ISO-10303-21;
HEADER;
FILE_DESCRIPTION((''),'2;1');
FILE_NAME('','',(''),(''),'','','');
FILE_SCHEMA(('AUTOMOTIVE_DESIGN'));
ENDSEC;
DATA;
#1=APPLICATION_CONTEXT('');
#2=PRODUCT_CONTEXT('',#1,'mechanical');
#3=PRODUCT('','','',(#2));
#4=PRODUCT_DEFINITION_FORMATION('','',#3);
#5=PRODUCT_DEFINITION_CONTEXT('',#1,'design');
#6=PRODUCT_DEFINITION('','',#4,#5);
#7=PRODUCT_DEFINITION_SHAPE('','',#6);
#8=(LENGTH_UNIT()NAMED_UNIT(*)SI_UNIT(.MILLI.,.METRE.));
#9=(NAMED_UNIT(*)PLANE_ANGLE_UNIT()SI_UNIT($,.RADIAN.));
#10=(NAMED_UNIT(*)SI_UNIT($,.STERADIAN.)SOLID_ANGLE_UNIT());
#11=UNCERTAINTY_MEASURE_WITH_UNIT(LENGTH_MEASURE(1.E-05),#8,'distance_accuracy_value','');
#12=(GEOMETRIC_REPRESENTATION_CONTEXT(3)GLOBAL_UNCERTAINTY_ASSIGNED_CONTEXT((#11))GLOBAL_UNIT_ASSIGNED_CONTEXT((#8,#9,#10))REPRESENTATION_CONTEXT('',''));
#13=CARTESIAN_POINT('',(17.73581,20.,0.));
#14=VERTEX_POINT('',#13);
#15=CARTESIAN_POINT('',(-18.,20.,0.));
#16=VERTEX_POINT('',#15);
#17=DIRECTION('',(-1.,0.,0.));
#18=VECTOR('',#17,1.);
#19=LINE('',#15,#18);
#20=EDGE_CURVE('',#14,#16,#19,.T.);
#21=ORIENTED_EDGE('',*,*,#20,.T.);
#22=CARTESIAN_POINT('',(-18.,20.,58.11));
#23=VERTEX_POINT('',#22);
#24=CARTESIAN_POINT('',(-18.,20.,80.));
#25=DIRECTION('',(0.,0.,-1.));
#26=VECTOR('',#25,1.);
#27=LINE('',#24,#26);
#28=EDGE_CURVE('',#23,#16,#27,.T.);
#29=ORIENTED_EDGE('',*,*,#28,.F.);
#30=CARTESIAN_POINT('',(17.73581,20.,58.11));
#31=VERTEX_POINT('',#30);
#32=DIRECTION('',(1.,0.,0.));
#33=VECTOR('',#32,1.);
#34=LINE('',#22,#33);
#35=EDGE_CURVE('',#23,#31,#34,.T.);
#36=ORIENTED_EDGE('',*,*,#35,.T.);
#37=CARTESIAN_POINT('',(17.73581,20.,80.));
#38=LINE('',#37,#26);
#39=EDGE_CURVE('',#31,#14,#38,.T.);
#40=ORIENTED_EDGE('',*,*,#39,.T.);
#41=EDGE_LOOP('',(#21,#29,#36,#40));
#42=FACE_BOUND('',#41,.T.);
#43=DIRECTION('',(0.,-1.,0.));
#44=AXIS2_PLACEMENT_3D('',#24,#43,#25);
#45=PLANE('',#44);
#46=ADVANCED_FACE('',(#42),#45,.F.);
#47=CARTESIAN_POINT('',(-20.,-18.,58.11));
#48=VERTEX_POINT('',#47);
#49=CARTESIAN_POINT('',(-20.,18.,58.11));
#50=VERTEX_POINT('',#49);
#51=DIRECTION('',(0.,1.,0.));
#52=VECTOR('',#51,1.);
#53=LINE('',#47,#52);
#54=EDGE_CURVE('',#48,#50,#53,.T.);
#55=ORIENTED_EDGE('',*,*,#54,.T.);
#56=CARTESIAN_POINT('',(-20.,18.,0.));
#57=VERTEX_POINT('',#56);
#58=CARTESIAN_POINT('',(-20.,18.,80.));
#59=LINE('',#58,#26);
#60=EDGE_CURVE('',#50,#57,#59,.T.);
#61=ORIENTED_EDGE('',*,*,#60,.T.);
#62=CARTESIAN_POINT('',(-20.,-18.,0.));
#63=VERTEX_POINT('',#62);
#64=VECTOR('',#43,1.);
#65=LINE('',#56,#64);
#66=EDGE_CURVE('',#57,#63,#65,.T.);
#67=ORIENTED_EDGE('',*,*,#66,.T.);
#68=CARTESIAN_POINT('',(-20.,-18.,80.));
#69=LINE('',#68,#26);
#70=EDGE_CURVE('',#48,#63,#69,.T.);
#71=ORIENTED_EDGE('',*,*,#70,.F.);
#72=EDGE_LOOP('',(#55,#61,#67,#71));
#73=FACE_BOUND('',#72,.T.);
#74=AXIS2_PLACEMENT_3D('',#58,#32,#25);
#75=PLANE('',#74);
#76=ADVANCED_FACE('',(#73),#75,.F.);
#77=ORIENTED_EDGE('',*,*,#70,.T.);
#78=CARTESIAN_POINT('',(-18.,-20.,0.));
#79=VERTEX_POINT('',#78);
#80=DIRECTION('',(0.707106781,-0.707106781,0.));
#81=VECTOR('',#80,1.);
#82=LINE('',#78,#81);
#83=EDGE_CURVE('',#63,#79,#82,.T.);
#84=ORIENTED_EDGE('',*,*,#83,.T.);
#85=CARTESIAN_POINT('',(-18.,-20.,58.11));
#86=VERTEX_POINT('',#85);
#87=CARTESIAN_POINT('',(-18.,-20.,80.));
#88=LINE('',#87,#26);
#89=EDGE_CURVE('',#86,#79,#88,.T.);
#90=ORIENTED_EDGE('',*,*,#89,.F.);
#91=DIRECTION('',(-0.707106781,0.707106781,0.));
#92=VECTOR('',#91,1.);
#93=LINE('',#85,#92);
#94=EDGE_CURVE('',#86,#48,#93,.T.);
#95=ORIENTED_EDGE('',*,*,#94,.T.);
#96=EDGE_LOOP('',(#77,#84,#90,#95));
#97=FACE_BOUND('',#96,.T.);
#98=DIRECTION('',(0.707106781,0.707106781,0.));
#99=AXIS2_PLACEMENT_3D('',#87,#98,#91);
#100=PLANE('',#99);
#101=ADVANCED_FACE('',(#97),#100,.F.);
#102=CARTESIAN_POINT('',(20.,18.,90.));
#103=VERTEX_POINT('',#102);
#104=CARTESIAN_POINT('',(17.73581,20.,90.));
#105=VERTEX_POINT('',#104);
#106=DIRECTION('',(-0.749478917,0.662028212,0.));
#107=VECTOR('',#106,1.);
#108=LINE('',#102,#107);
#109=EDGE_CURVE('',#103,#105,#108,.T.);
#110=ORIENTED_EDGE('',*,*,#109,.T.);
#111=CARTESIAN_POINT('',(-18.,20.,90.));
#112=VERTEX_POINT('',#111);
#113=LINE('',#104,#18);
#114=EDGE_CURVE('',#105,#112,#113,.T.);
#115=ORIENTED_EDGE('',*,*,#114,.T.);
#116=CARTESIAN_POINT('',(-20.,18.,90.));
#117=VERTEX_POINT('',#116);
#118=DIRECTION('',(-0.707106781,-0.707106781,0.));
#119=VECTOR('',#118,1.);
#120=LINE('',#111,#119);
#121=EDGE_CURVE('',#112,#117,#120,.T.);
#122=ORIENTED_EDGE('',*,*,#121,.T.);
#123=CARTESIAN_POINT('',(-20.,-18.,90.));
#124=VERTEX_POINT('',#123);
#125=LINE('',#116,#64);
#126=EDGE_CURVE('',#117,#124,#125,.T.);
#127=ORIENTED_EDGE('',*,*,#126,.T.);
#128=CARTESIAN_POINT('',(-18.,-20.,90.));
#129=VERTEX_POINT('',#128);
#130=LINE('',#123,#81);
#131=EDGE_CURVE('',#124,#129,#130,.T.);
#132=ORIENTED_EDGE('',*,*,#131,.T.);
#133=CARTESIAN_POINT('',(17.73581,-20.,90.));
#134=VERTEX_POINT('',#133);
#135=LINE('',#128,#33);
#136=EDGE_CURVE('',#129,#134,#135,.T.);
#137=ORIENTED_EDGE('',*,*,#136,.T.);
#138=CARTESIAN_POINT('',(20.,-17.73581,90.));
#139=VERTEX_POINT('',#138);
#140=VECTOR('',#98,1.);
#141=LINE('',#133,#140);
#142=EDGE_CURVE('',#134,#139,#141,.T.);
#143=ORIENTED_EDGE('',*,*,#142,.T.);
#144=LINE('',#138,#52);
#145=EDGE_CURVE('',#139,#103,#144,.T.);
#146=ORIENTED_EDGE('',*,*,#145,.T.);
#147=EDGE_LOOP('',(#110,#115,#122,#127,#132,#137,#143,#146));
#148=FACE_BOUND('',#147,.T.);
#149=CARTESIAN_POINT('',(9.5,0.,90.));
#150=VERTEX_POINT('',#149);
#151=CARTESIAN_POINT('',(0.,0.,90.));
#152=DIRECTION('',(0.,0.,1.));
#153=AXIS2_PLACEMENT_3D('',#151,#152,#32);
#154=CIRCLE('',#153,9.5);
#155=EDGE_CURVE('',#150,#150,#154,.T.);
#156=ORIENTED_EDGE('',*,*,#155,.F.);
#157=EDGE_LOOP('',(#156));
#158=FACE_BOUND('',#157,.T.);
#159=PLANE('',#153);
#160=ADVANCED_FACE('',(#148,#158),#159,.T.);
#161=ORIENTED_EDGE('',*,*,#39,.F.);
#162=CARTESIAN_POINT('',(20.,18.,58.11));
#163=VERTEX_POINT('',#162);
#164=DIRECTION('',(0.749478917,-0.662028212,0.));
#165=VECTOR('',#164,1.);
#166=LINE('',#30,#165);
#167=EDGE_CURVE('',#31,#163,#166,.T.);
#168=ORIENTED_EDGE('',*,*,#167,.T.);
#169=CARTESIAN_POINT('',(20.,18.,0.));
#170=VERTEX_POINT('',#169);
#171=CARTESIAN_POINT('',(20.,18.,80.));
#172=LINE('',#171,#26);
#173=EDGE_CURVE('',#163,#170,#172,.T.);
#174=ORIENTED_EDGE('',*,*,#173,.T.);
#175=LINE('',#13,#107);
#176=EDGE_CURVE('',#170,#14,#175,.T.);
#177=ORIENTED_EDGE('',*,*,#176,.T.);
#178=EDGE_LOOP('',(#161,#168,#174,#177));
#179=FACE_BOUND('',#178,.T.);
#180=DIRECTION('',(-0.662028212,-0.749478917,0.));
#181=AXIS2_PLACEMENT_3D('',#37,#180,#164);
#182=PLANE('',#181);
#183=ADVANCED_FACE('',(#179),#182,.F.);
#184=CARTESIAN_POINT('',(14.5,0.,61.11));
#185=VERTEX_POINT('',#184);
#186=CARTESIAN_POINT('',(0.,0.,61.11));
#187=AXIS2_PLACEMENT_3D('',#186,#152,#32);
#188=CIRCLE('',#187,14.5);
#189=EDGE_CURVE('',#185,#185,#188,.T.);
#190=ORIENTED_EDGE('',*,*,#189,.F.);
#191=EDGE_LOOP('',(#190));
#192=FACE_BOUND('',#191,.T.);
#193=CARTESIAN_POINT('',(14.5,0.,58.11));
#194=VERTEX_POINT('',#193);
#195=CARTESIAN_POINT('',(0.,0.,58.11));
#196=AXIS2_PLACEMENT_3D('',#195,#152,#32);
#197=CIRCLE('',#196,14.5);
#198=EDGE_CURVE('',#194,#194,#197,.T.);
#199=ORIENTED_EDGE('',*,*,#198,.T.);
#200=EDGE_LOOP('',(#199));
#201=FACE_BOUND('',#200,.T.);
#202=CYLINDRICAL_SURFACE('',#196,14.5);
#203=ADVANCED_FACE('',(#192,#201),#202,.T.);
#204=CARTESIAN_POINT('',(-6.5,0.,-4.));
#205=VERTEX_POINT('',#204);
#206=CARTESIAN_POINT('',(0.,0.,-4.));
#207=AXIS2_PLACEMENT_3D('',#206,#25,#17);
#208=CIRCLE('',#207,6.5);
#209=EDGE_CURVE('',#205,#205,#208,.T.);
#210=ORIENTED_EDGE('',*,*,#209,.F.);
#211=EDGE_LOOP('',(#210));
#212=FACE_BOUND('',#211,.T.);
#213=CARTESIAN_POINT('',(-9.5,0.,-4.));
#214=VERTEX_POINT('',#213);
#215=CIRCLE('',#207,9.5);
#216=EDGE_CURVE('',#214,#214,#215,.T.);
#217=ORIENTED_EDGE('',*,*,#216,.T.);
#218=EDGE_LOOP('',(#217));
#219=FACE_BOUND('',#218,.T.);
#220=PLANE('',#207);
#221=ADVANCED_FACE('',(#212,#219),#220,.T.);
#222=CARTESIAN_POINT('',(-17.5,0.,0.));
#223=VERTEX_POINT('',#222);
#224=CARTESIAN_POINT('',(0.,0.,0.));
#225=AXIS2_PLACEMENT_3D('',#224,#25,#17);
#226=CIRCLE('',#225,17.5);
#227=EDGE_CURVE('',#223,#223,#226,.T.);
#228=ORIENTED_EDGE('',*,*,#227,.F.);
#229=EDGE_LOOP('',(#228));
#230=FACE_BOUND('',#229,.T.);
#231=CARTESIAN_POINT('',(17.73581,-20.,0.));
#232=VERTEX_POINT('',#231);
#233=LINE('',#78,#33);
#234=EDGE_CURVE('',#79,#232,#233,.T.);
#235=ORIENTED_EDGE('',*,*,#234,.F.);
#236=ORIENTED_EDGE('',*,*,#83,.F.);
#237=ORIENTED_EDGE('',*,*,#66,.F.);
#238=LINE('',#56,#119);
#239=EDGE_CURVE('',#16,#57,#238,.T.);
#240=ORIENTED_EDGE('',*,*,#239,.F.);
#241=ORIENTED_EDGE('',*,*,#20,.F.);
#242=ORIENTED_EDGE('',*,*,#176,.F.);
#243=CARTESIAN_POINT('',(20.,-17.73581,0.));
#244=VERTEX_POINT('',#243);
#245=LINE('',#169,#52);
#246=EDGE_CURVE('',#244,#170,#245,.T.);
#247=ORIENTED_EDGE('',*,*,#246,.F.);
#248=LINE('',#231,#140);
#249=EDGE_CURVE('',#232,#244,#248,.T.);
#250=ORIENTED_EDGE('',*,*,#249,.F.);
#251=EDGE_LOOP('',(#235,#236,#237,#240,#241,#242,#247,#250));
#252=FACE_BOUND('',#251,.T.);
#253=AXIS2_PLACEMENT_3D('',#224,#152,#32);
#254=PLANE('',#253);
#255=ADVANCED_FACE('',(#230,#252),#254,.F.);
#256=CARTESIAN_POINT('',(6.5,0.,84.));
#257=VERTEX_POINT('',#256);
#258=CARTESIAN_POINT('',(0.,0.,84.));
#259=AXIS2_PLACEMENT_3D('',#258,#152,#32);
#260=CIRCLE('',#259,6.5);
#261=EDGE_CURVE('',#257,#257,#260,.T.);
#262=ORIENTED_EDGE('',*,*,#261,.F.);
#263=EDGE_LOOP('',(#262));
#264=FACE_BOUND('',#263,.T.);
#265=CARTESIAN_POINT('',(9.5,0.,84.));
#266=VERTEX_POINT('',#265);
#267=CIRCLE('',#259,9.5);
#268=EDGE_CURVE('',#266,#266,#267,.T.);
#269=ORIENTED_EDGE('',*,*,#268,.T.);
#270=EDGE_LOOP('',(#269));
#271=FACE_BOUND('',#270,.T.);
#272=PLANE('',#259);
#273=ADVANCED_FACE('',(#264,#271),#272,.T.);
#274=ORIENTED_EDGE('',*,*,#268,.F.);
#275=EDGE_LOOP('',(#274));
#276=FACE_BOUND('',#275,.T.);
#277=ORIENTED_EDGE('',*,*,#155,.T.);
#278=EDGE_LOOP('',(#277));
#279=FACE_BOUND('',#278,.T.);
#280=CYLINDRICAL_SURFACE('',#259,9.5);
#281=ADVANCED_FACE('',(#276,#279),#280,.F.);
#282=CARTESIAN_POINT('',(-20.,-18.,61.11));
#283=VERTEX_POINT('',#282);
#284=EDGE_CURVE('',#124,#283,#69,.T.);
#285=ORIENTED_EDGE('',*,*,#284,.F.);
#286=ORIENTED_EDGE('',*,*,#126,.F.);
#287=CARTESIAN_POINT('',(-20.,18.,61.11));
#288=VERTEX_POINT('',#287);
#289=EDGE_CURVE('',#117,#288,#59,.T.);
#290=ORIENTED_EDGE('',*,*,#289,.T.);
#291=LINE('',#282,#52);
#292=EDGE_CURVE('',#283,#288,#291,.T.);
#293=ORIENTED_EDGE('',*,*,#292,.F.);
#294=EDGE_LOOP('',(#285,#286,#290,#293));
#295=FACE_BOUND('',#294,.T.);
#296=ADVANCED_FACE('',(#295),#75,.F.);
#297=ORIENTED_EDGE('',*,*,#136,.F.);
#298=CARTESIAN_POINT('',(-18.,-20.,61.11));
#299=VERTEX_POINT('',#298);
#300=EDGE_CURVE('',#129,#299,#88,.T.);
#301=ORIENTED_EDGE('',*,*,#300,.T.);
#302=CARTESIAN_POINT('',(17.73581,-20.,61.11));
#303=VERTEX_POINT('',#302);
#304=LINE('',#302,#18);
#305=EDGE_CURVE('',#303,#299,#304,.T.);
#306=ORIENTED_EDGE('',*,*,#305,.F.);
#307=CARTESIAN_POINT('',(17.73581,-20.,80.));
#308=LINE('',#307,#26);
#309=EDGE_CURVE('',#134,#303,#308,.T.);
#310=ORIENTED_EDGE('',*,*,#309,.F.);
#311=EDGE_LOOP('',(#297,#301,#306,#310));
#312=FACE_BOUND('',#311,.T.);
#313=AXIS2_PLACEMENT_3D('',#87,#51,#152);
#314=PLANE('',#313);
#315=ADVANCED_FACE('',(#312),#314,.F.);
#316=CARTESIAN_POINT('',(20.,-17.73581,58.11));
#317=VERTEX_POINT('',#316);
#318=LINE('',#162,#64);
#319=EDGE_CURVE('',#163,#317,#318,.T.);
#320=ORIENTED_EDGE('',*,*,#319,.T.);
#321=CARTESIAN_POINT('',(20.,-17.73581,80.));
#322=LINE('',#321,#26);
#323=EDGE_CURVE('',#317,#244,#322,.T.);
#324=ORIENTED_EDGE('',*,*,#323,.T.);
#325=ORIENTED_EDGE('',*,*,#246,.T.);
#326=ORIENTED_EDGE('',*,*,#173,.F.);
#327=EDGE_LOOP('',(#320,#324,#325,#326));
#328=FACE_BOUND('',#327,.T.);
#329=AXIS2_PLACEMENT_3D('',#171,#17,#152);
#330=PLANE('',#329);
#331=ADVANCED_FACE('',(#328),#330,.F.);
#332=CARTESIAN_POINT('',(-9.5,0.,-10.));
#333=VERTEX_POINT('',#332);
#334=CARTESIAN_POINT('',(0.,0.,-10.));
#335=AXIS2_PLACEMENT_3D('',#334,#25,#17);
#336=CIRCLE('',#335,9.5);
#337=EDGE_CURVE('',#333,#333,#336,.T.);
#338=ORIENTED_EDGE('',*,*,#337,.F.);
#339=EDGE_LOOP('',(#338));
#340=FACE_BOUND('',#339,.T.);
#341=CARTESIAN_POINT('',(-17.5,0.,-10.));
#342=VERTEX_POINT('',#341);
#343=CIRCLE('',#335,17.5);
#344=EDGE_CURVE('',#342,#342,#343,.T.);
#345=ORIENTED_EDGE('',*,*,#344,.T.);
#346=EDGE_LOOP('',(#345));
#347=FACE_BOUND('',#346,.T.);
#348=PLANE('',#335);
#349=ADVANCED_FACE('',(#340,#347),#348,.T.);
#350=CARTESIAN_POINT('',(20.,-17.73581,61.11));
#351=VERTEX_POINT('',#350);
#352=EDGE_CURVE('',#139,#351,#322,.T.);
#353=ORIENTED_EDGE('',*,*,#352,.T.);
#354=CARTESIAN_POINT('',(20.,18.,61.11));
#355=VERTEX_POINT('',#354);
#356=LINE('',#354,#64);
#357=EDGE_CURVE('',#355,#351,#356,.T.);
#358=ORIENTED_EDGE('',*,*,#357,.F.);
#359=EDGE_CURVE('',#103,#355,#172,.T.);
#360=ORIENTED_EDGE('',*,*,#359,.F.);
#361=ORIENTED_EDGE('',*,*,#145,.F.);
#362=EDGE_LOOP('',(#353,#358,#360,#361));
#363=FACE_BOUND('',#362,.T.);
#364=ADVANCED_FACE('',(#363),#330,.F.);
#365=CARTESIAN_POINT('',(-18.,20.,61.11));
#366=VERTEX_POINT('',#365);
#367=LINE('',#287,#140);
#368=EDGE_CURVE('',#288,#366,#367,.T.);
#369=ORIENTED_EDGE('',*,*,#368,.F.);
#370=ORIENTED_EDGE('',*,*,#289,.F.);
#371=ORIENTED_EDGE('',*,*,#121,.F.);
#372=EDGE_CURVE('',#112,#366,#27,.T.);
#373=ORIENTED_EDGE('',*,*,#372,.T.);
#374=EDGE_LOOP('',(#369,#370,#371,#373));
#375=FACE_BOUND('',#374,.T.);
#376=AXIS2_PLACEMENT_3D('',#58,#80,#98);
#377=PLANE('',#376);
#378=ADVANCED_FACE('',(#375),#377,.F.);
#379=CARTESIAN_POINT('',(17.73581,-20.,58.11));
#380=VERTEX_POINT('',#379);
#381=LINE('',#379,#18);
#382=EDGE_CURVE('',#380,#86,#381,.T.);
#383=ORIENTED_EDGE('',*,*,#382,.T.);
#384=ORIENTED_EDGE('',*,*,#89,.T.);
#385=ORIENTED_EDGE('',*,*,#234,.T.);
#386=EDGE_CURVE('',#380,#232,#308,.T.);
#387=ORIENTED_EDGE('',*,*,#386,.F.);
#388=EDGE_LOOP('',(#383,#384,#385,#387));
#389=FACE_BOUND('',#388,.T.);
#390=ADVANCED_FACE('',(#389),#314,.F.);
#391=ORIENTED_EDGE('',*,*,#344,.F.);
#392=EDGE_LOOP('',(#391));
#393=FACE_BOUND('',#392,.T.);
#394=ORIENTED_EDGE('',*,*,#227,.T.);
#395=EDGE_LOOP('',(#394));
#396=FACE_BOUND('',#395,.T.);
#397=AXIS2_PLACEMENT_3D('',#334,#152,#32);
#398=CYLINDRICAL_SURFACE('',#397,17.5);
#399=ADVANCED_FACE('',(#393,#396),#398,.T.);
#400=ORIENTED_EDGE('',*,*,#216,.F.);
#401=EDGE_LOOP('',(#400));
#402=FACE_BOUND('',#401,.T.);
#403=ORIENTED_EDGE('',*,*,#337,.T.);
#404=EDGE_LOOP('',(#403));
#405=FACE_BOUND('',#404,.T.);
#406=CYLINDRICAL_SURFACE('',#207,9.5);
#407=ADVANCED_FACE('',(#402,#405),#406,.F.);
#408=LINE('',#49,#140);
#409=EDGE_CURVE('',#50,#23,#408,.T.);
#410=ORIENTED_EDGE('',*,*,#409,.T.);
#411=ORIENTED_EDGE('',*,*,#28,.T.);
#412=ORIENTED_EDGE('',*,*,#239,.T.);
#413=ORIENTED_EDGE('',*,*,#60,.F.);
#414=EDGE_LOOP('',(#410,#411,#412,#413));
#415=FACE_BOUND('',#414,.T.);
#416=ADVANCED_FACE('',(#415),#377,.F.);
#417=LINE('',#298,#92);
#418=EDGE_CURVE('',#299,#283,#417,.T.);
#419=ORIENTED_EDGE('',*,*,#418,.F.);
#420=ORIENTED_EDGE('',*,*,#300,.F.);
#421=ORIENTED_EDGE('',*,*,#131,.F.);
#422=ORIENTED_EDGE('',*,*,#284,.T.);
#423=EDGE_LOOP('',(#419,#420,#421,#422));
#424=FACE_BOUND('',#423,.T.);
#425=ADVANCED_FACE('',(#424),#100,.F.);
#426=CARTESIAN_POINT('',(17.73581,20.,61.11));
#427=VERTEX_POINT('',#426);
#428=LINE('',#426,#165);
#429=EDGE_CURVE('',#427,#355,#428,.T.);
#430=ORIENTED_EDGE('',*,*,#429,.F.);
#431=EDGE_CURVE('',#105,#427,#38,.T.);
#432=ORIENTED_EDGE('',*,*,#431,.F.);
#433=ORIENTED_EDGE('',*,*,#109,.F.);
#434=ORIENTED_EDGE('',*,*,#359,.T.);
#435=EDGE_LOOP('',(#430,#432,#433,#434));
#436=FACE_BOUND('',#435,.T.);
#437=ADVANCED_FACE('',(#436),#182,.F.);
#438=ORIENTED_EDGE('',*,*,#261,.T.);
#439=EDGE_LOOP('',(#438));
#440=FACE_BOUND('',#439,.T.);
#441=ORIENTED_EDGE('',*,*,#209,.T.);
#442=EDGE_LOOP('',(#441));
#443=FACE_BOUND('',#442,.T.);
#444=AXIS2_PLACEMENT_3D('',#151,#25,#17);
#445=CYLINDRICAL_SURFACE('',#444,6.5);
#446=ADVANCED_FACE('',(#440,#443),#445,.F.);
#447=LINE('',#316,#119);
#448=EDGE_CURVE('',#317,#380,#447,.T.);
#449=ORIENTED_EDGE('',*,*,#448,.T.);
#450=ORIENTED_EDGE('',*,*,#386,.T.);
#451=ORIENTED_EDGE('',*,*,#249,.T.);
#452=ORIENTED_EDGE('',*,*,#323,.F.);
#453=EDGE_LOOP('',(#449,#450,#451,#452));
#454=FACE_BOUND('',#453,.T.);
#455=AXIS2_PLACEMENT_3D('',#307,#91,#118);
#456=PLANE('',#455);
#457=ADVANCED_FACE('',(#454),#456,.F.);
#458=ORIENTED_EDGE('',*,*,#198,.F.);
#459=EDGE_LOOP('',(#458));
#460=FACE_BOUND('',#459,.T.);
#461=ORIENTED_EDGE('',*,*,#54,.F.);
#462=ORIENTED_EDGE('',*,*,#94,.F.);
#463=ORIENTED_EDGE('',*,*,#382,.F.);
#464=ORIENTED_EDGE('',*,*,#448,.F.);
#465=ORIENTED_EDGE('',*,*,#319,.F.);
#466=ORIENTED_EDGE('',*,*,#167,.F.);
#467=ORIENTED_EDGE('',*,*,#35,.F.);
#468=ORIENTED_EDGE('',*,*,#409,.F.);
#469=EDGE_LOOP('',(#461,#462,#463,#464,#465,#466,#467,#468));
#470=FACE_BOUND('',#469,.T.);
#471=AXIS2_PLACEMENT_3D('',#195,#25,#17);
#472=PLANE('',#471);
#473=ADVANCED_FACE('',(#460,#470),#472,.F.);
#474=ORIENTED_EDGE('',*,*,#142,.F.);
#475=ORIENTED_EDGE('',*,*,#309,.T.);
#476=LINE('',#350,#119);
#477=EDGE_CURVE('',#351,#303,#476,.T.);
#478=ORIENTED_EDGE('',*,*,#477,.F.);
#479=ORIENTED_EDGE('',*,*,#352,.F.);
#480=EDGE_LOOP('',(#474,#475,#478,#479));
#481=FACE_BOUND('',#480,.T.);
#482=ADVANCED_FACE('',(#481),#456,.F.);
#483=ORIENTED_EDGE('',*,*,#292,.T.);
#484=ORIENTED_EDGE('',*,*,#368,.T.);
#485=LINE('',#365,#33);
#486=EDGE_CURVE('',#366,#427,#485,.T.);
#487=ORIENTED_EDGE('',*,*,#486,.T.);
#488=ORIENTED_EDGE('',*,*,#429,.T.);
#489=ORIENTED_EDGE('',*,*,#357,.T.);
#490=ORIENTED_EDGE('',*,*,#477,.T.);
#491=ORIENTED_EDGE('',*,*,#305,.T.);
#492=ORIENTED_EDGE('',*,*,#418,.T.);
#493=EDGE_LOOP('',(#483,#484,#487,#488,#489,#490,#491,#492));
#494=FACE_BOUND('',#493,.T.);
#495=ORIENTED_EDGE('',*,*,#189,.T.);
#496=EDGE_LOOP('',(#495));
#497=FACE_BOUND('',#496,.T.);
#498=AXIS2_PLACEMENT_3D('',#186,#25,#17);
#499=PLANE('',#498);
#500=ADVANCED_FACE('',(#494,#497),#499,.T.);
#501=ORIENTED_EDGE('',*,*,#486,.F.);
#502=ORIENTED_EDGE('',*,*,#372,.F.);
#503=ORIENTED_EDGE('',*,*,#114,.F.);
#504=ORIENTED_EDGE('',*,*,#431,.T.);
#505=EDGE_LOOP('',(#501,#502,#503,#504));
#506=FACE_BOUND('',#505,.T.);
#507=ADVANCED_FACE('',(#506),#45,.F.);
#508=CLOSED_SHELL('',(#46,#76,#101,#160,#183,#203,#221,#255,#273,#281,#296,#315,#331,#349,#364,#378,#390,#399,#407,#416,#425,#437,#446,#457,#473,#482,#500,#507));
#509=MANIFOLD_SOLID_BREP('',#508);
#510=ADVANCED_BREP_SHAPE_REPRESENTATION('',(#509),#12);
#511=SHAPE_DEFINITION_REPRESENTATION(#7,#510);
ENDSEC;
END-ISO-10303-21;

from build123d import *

# Parameters (mm, degrees)
EXTRUDE_1_DEPTH     = 80
SKETCH_3_R          = 17.5
EXTRUDE_2_DEPTH     = 10
EXTRUDE_START       = 10
SKETCH_4_R          = 17.5
EXTRUDE_3_DEPTH     = 10
SKETCH_6_R          = 9.5
CUT_EXTRUDE_3_DEPTH = 6
CUT_EXTRUDE_START   = -6
SKETCH_7_R          = 9.5
CUT_EXTRUDE_4_DEPTH = 6
SKETCH_8_R          = 6.5
CUT_EXTRUDE_5_DEPTH = 100
SKETCH_11_R         = 14.5
CUT_EXTRUDE_8_DEPTH = 3
SKETCH_13_R         = 17.5
EXTRUDE_5_DEPTH     = 10


with BuildPart() as part:
    # 草图1 → 凸台-拉伸1 (new body)
    with BuildSketch(Plane.XY):
        Polygon((-20, 18), (-18, 20), (17.735809733, 20), (20, 18), (20, -17.735809733), (17.735809733, -20), (-18, -20), (-20, -18), align=None)
    extrude(amount=EXTRUDE_1_DEPTH)

    # 草图3 → 凸台-拉伸2 (add)
    with BuildSketch(Plane.XY.offset(80)):
        Circle(SKETCH_3_R)
    extrude(amount=EXTRUDE_2_DEPTH)

    # 草图4 → 凸台-拉伸3 (add)
    with BuildSketch(Plane(origin=(0, 0, 0), x_dir=(-1, 0, 0), z_dir=(0, 0, -1)).offset(EXTRUDE_START)):
        with Locations(Location((0, 0, 0), (0, 0, 180))):
            Circle(SKETCH_4_R)
    extrude(amount=-EXTRUDE_3_DEPTH)

    # 草图6 → 切除-拉伸3 (cut)
    with BuildSketch(Plane(origin=(0, 0, -10), x_dir=(-1, 0, 0), z_dir=(0, 0, -1))):
        Circle(SKETCH_6_R)
    extrude(amount=-CUT_EXTRUDE_3_DEPTH, mode=Mode.SUBTRACT)

    # 草图7 → 切除-拉伸4 (cut)
    with BuildSketch(Plane.XY.offset(90).offset(CUT_EXTRUDE_START)):
        with Locations(Location((0, 0, 0), (0, 0, 180))):
            Circle(SKETCH_7_R)
    extrude(amount=CUT_EXTRUDE_4_DEPTH, mode=Mode.SUBTRACT)

    # 草图8 → 切除-拉伸5 (cut)
    with BuildSketch(Plane(origin=(0, 0, -10), x_dir=(-1, 0, 0), z_dir=(0, 0, -1))):
        Circle(SKETCH_8_R)
    extrude(amount=-CUT_EXTRUDE_5_DEPTH, mode=Mode.SUBTRACT)

    # 草图11 → 切除-拉伸8 (cut)
    with BuildSketch(Plane.XY.offset(61.11)):
        Polygon((17.735809733, -20), (-18, -20), (-20, -18), (-20, 18), (-18, 20), (17.735809733, 20), (20, 18), (20, -17.735809733), align=None)
        Circle(SKETCH_11_R, mode=Mode.SUBTRACT)
    extrude(amount=-CUT_EXTRUDE_8_DEPTH, mode=Mode.SUBTRACT)

    # 草图13 → 凸台-拉伸5 (add)
    with BuildSketch(Plane.XY.offset(80)):
        Polygon((-20, 18), (-20, -18), (-18, -20), (17.735809733, -20), (20, -17.735809733), (20, 18), (17.735809733, 20), (-18, 20), align=None)
        with Locations(Location((0, 0, 0), (0, 0, 180))):
            Circle(SKETCH_13_R, mode=Mode.SUBTRACT)
    extrude(amount=EXTRUDE_5_DEPTH)


solid = part.part
